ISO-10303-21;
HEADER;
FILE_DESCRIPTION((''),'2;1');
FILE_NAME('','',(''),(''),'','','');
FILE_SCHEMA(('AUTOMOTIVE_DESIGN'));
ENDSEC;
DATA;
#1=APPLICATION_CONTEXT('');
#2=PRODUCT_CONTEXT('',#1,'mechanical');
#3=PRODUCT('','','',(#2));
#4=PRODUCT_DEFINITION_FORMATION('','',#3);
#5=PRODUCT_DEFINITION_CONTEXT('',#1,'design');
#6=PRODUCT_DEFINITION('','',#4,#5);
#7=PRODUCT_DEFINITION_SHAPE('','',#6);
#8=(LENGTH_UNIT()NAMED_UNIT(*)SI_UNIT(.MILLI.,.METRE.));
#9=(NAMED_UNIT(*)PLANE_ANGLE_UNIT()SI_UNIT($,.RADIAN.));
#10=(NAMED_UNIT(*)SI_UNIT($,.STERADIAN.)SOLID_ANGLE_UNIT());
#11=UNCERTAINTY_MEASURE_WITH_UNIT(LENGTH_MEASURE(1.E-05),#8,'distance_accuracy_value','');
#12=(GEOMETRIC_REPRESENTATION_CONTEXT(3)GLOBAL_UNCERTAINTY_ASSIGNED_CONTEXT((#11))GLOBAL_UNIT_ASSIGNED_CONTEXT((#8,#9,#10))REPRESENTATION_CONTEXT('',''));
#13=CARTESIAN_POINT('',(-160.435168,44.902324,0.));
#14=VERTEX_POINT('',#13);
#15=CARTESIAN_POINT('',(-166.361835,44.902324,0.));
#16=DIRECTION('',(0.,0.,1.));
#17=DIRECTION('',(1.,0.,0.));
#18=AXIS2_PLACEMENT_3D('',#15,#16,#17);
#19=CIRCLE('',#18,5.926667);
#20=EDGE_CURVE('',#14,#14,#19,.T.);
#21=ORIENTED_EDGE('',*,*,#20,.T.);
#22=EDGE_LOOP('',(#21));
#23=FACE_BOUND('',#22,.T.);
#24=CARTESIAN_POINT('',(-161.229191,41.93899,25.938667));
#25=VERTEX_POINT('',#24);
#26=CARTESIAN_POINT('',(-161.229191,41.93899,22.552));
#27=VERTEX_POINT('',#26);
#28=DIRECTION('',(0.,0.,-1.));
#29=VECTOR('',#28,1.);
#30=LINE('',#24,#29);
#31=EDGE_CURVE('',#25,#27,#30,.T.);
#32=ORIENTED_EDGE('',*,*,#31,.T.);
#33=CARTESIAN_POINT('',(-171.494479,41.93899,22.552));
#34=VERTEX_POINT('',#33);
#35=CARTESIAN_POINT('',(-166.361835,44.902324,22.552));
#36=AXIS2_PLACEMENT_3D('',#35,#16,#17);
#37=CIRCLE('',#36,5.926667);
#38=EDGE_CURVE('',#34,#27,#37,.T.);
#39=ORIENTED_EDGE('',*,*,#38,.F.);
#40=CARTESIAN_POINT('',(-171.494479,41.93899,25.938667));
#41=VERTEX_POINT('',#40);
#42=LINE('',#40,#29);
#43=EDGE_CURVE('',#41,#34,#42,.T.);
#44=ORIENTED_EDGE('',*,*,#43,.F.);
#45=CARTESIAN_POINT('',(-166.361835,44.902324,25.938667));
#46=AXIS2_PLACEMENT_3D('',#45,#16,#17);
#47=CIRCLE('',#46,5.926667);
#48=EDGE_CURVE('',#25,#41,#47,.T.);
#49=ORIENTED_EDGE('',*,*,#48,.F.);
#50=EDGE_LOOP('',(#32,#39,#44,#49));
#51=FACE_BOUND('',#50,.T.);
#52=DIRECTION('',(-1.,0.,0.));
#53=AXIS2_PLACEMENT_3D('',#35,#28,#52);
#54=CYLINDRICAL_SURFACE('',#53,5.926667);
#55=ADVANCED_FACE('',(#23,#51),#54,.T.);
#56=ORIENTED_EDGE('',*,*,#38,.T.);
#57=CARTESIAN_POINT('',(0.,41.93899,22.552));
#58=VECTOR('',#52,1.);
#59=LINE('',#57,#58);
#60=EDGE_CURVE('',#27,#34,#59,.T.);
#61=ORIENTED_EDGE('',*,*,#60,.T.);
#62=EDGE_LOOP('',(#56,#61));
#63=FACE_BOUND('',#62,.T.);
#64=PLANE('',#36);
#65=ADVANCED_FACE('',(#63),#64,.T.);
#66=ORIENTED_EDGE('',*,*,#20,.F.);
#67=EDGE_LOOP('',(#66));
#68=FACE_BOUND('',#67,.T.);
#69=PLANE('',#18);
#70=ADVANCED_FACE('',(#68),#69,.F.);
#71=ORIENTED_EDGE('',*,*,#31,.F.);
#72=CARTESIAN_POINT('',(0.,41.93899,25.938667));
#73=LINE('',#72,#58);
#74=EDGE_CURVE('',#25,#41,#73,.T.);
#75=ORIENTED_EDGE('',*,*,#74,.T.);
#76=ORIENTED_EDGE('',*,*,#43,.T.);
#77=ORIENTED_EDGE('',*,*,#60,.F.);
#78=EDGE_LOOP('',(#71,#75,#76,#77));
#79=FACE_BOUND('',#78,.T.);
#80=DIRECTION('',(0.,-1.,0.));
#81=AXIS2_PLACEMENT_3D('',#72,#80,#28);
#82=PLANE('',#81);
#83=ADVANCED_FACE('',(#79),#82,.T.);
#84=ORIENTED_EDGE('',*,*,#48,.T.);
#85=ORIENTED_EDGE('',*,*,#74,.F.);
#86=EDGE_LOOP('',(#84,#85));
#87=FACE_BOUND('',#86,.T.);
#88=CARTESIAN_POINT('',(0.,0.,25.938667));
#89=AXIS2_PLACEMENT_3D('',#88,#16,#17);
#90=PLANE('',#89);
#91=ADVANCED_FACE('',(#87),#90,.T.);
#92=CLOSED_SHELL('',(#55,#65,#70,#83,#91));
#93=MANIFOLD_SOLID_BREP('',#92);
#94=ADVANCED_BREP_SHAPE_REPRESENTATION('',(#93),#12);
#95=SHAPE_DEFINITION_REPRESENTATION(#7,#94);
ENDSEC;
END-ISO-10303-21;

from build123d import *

# Parameters (mm, degrees)
SKETCH1_R           = 5.926666667
BOSS_EXTRUDE1_DEPTH = 22.552
BOSS_EXTRUDE2_DEPTH = 3.386666667


with BuildPart() as part:
    # Sketch1 → Boss-Extrude1 (new body)
    with BuildSketch(Plane.XY):
        with Locations((-166.361835023, 44.902323519)):
            Circle(SKETCH1_R)
    extrude(amount=BOSS_EXTRUDE1_DEPTH)

    # Sketch2 → Boss-Extrude2 (add)
    with BuildSketch(Plane.XY.offset(22.552)):
        with BuildLine():
            Line((-171.494478916, 41.938990186), (-166.361835023, 41.938990186))
            Line((-166.361835023, 41.938990186), (-161.22919113, 41.938990186))
            ThreePointArc((-161.22919113, 41.938990186), (-160.637114626, 43.368389312), (-160.435168356, 44.902323519))
            ThreePointArc((-160.435168356, 44.902323519), (-167.89576923, 50.627043916), (-171.494478916, 41.938990186))
        make_face()
    extrude(amount=BOSS_EXTRUDE2_DEPTH)


solid = part.part
